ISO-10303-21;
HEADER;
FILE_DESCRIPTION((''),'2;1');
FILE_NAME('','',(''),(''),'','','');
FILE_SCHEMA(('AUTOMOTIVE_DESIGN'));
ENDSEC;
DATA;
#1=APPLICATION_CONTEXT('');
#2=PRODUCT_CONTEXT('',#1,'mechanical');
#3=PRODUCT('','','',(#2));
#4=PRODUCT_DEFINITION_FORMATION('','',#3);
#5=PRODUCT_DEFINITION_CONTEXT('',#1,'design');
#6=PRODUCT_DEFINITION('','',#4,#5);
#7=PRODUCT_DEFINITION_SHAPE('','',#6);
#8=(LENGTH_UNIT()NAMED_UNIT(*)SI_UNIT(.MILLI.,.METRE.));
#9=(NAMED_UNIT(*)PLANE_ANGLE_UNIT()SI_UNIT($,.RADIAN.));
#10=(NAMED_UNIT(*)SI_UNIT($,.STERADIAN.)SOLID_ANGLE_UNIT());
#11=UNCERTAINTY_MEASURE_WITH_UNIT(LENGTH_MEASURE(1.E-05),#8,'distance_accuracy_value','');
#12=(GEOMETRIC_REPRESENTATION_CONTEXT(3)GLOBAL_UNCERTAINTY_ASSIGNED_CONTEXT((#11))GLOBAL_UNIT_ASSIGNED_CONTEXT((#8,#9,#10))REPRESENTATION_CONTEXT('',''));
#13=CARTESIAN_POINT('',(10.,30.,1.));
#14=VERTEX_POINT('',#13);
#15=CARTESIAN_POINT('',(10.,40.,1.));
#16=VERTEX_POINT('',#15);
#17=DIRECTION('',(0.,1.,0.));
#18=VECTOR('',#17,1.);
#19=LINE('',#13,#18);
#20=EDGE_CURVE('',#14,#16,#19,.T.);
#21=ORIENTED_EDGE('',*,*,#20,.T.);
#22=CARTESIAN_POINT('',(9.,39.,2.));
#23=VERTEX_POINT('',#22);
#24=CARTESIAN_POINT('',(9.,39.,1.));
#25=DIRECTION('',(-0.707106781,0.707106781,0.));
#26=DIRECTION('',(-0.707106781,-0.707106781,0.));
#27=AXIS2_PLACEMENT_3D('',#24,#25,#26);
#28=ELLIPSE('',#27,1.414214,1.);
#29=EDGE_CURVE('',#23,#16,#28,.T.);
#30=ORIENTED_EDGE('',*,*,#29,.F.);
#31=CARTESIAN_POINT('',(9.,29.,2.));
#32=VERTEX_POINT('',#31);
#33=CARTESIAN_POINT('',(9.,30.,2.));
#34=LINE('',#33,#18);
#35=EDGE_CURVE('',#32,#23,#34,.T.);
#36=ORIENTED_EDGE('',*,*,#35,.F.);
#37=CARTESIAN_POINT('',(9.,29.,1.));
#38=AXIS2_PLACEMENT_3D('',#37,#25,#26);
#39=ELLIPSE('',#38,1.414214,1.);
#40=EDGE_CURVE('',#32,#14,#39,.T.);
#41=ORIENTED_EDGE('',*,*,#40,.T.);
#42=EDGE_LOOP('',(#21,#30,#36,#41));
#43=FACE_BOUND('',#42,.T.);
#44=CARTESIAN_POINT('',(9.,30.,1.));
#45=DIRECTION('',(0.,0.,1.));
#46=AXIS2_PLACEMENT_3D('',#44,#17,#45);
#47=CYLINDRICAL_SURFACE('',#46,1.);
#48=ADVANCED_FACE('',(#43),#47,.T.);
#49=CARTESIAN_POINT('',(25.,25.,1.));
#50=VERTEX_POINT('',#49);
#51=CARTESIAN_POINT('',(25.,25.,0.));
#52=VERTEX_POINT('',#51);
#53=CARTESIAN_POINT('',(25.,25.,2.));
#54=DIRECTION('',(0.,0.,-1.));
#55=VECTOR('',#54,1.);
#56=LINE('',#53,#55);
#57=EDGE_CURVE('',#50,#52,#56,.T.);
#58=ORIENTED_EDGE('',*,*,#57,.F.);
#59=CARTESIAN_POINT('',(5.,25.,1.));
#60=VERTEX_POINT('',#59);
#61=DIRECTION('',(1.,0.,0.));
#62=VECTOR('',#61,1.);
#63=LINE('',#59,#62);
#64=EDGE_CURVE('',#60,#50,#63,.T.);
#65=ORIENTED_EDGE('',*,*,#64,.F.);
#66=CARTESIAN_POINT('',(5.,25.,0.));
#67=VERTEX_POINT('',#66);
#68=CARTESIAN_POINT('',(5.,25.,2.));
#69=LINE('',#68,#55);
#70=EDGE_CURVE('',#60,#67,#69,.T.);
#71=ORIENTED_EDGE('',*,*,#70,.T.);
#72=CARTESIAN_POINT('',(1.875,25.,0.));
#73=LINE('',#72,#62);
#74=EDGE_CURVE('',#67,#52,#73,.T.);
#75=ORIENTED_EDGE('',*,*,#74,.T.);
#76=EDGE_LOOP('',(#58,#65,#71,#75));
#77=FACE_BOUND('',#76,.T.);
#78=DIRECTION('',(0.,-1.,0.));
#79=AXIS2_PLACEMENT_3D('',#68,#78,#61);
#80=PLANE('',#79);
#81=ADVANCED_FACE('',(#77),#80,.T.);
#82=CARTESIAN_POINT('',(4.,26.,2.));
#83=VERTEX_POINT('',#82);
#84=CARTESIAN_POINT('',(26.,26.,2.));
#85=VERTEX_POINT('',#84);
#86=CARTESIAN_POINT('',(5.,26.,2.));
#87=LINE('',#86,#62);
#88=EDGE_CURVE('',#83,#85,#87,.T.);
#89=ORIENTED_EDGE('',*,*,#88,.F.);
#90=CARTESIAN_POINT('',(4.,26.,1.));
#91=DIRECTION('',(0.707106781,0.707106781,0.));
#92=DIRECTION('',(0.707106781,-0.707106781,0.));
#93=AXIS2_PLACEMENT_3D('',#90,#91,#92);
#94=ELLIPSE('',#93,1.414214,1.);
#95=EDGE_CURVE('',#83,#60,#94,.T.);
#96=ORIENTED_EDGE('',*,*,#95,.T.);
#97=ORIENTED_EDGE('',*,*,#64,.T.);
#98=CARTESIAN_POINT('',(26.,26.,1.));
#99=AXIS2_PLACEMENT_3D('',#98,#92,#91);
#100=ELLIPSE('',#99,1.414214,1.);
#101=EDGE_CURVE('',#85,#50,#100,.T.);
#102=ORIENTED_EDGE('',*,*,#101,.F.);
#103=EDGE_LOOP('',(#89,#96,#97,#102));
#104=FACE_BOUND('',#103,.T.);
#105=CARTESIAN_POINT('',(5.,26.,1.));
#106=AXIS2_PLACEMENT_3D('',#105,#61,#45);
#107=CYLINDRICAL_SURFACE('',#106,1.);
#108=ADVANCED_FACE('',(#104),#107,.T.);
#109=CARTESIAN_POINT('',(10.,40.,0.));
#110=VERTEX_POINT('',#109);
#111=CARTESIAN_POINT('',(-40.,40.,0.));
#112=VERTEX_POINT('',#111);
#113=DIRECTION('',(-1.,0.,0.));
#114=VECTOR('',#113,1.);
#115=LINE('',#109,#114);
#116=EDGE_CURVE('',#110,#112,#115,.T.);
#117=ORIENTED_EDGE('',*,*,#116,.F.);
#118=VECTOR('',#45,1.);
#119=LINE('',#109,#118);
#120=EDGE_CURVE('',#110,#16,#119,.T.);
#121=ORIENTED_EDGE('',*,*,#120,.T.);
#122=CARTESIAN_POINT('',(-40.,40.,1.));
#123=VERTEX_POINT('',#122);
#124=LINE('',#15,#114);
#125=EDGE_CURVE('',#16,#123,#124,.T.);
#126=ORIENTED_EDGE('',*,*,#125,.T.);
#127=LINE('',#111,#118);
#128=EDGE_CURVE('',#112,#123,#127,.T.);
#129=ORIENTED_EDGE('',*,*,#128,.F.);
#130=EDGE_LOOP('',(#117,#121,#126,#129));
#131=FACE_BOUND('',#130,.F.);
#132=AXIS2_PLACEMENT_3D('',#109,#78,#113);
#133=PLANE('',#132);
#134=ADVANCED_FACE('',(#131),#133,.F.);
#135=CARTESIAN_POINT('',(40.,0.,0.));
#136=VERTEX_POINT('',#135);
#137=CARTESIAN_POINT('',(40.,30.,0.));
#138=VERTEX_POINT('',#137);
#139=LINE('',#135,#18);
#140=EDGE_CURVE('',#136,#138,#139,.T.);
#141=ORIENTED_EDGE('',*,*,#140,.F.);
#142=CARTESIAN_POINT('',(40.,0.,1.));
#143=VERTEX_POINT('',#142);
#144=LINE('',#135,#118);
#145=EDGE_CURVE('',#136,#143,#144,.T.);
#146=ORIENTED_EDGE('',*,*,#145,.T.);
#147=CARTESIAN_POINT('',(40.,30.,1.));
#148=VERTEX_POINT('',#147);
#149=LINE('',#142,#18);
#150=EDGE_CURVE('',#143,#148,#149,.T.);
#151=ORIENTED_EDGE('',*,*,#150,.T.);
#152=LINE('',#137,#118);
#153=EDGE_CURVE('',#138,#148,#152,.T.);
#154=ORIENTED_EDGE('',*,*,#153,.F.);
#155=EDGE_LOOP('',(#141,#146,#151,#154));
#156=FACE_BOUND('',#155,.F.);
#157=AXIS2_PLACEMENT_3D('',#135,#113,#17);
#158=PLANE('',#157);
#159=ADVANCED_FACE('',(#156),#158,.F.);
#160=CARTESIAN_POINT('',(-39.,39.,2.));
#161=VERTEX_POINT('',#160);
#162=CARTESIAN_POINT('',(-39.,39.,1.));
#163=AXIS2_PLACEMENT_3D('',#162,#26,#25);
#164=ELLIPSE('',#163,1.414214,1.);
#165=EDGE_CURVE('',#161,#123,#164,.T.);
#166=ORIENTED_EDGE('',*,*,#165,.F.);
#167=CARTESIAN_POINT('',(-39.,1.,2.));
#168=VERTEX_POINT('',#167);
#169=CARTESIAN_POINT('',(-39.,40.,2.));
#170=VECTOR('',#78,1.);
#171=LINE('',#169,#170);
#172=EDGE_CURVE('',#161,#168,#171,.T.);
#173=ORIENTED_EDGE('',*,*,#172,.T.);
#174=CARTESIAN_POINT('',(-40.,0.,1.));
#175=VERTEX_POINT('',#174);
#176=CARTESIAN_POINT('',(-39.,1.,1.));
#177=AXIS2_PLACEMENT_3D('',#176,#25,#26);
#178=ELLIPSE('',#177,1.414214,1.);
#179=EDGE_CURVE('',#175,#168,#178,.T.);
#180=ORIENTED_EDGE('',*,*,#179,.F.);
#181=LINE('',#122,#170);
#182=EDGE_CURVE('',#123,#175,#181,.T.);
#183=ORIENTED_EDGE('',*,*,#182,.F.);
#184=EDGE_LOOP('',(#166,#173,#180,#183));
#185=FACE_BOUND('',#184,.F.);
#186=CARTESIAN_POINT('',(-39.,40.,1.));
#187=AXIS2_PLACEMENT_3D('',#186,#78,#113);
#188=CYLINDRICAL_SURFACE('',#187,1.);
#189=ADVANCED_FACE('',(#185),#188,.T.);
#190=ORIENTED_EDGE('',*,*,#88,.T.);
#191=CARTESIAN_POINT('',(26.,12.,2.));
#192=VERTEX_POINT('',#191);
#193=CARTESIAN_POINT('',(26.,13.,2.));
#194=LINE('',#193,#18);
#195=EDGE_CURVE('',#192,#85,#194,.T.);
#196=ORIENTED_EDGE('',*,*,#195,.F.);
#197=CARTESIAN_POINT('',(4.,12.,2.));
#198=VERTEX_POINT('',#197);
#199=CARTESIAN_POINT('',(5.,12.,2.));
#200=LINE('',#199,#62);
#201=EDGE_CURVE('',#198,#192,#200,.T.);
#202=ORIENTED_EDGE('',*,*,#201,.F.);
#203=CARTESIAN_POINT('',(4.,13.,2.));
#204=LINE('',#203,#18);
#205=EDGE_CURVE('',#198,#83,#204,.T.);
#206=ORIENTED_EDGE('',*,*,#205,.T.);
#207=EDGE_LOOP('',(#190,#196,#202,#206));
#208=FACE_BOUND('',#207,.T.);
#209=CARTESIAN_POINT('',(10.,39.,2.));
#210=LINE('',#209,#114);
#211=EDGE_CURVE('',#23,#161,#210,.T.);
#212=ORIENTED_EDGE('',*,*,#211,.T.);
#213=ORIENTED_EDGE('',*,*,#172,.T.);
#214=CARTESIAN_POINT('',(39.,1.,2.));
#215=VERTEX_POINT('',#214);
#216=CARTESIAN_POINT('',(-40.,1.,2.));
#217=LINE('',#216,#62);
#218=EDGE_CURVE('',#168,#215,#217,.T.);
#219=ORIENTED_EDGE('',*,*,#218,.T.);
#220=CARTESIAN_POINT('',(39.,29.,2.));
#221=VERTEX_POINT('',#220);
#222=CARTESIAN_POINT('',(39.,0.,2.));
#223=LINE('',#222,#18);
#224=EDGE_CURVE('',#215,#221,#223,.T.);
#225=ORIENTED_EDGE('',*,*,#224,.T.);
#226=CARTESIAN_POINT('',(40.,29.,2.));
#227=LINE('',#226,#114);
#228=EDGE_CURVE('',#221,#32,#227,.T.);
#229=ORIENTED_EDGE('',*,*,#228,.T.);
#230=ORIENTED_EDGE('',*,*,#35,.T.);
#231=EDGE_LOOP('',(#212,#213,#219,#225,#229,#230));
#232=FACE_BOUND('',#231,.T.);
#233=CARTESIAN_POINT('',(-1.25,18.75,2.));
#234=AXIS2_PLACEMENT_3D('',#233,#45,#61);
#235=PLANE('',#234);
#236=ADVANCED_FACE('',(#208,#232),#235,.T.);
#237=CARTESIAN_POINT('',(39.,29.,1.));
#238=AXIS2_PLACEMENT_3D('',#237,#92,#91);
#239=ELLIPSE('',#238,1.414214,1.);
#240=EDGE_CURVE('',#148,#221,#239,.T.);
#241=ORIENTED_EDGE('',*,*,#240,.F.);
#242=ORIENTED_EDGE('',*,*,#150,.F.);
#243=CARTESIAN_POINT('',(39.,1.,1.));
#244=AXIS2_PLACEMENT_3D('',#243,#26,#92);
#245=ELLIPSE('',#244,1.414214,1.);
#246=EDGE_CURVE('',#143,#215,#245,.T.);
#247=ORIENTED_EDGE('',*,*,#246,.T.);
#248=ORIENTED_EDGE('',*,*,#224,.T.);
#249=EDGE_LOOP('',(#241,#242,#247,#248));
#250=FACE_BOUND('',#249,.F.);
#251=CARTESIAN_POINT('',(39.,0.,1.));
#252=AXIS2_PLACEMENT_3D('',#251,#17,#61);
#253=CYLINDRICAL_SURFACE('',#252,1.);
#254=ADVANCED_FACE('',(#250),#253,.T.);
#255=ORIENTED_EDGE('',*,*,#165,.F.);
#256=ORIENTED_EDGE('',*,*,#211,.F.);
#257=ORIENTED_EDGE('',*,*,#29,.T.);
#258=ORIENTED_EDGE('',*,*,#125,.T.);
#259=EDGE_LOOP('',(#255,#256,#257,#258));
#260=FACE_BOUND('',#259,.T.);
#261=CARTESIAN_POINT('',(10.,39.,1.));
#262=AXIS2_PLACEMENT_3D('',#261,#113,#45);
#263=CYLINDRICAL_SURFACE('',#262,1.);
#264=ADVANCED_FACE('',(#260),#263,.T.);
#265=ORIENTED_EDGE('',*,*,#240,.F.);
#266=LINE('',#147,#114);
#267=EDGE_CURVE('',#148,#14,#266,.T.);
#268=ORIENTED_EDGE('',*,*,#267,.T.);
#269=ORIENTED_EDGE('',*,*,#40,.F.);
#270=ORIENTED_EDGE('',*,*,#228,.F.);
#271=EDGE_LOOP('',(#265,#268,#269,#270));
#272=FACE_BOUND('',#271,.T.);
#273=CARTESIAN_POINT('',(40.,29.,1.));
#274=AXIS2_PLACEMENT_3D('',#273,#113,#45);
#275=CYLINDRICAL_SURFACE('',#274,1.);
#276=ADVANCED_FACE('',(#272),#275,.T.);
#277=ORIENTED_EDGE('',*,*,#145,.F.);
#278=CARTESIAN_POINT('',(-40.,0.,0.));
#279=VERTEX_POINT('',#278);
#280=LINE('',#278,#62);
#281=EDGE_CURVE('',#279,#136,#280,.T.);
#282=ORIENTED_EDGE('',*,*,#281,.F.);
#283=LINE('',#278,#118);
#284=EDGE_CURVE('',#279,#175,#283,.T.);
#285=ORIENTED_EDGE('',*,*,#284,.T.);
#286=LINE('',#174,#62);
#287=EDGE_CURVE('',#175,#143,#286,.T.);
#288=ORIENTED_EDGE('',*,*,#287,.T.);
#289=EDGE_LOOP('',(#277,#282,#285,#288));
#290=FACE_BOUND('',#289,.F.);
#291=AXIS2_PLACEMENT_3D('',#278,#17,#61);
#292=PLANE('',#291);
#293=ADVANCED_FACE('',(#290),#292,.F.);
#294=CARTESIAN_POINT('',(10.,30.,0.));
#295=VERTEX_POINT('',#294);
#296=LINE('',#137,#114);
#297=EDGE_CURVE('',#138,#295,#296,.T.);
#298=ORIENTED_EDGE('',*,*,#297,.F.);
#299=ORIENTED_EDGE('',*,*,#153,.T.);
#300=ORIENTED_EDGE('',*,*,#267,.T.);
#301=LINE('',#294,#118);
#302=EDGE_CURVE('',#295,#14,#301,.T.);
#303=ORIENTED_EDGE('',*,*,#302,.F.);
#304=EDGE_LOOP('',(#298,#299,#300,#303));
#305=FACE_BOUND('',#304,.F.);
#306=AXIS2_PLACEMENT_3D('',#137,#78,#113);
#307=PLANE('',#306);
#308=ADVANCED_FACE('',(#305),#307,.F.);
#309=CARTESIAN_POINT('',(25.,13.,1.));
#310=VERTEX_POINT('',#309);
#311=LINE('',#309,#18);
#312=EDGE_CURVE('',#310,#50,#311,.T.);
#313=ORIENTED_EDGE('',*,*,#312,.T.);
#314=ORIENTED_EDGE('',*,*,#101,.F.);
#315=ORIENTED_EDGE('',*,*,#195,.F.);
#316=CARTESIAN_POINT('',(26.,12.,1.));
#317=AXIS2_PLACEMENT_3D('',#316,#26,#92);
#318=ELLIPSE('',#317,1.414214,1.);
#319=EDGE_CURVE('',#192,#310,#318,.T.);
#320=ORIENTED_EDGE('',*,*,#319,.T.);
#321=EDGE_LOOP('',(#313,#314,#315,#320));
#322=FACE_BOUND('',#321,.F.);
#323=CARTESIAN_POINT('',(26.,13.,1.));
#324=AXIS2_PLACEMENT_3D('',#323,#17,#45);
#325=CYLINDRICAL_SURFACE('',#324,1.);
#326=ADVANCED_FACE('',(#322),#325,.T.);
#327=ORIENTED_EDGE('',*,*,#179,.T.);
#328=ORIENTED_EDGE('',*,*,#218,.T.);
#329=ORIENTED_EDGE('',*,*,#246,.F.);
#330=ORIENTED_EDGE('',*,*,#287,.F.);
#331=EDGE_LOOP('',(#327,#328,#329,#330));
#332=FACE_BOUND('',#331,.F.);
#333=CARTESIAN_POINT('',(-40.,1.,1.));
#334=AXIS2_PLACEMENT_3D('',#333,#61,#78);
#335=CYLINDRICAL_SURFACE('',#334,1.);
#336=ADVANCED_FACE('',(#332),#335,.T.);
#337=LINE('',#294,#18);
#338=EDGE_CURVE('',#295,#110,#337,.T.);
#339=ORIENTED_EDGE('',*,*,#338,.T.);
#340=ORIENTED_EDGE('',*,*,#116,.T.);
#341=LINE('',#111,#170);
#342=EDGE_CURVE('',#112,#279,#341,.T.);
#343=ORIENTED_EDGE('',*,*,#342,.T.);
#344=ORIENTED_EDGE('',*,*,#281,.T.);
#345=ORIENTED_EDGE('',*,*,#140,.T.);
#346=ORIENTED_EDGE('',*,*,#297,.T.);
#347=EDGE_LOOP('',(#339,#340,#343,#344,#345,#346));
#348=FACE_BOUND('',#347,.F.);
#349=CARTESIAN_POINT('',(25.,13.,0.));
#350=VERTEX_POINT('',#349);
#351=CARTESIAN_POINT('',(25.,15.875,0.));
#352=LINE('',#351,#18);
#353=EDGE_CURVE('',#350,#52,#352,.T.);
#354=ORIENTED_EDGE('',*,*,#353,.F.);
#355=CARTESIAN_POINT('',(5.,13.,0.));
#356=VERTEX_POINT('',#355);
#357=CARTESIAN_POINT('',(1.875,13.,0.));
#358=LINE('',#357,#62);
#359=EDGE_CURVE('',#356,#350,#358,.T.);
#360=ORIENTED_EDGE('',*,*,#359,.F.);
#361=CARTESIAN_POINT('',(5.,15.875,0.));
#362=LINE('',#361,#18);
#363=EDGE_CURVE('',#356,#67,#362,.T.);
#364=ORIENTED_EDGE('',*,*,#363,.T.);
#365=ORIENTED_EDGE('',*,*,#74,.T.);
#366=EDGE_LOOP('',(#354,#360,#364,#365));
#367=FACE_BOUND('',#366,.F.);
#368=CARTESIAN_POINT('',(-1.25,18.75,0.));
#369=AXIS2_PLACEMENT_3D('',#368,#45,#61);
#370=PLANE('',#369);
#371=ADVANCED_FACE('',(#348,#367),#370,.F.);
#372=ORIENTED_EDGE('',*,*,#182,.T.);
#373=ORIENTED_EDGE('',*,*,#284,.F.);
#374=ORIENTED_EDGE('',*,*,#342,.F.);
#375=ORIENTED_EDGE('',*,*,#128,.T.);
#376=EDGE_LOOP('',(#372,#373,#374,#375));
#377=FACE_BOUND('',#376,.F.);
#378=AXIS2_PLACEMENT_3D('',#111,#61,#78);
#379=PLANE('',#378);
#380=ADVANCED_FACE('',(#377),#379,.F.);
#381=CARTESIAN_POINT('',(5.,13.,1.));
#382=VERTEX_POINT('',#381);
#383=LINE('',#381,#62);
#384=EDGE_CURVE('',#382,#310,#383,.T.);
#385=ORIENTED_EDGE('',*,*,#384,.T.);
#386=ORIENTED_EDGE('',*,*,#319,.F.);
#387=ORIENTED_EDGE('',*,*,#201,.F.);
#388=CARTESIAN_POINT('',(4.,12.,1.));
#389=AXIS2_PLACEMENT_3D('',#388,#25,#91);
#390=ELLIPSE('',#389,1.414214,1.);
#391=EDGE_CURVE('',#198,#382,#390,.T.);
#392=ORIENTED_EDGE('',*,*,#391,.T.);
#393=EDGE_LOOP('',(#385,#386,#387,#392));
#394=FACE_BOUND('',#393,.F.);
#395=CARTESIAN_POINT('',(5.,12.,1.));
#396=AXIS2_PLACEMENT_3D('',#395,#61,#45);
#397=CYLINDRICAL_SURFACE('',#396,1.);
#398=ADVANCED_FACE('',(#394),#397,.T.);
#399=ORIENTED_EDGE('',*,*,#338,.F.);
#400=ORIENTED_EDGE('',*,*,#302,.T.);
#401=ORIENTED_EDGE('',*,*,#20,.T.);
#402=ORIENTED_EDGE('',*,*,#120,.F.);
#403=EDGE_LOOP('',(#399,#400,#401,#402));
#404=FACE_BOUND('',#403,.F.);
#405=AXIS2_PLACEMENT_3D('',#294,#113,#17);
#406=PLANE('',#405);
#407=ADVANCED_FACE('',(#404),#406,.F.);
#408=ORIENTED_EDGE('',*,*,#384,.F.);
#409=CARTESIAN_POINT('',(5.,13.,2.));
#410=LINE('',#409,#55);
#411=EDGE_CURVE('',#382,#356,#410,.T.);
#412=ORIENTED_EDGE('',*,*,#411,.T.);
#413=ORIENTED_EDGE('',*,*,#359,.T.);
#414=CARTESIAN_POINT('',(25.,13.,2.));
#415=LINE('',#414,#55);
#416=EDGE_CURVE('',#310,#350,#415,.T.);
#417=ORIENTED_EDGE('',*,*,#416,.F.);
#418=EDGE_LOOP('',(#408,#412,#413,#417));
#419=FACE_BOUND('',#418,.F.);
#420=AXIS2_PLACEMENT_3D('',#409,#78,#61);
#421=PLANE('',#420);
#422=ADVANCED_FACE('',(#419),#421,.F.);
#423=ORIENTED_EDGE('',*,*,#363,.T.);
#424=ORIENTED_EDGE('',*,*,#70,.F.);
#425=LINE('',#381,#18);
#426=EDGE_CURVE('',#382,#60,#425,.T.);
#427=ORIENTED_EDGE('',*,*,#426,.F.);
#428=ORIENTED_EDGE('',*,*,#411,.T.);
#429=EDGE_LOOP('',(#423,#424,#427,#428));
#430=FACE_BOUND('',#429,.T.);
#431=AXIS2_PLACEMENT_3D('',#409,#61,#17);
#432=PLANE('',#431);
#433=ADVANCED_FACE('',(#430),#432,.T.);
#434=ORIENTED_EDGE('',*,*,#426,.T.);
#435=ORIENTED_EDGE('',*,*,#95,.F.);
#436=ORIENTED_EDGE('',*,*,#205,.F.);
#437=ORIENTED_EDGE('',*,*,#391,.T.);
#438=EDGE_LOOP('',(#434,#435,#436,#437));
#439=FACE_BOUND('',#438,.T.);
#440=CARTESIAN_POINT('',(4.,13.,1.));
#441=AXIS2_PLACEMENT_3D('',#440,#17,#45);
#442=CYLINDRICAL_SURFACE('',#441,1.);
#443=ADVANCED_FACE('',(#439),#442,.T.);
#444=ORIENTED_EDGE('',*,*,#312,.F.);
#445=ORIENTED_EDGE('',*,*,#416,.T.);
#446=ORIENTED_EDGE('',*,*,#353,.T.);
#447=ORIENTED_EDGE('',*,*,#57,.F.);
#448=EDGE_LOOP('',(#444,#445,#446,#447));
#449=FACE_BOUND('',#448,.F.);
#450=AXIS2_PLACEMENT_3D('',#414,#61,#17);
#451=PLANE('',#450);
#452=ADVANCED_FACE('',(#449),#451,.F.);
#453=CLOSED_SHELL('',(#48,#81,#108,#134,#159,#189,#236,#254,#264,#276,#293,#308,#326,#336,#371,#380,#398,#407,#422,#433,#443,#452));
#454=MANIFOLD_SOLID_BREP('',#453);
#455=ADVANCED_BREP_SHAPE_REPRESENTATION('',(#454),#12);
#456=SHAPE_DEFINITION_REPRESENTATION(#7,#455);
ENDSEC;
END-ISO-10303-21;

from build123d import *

# Parameters (mm, degrees)
F1_DEPTH = 2
F2_W     = 20
F2_H     = 12
F3_DEPTH = 5
F4_R     = 1


with BuildPart() as f1:
    # F0 (on Top) → F1 (new body)
    with BuildSketch(Plane.XY):
        Polygon((-40, 0), (0, 0), (40, 0), (40, 30), (10, 30), (10, 40), (-40, 40), align=None)
    extrude(amount=F1_DEPTH)

    # F2 (on face) → F3 (cut)
    with BuildSketch(Plane.XY.offset(2)):
        with Locations((15, 19)):
            Rectangle(F2_W, F2_H)
    extrude(amount=-F3_DEPTH, mode=Mode.SUBTRACT)

    # F4
    f4_edges = [f1.edges().sort_by_distance(p)[0] for p in [
        (-15, 40, 2),
        (-40, 20, 2),
        (0, 0, 2),
        (40, 15, 2),
        (25, 30, 2),
        (10, 35, 2),
        (15, 25, 2),
        (5, 19, 2),
        (15, 13, 2),
        (25, 19, 2),
    ]]
    fillet(f4_edges, radius=F4_R)


solid = f1.part
